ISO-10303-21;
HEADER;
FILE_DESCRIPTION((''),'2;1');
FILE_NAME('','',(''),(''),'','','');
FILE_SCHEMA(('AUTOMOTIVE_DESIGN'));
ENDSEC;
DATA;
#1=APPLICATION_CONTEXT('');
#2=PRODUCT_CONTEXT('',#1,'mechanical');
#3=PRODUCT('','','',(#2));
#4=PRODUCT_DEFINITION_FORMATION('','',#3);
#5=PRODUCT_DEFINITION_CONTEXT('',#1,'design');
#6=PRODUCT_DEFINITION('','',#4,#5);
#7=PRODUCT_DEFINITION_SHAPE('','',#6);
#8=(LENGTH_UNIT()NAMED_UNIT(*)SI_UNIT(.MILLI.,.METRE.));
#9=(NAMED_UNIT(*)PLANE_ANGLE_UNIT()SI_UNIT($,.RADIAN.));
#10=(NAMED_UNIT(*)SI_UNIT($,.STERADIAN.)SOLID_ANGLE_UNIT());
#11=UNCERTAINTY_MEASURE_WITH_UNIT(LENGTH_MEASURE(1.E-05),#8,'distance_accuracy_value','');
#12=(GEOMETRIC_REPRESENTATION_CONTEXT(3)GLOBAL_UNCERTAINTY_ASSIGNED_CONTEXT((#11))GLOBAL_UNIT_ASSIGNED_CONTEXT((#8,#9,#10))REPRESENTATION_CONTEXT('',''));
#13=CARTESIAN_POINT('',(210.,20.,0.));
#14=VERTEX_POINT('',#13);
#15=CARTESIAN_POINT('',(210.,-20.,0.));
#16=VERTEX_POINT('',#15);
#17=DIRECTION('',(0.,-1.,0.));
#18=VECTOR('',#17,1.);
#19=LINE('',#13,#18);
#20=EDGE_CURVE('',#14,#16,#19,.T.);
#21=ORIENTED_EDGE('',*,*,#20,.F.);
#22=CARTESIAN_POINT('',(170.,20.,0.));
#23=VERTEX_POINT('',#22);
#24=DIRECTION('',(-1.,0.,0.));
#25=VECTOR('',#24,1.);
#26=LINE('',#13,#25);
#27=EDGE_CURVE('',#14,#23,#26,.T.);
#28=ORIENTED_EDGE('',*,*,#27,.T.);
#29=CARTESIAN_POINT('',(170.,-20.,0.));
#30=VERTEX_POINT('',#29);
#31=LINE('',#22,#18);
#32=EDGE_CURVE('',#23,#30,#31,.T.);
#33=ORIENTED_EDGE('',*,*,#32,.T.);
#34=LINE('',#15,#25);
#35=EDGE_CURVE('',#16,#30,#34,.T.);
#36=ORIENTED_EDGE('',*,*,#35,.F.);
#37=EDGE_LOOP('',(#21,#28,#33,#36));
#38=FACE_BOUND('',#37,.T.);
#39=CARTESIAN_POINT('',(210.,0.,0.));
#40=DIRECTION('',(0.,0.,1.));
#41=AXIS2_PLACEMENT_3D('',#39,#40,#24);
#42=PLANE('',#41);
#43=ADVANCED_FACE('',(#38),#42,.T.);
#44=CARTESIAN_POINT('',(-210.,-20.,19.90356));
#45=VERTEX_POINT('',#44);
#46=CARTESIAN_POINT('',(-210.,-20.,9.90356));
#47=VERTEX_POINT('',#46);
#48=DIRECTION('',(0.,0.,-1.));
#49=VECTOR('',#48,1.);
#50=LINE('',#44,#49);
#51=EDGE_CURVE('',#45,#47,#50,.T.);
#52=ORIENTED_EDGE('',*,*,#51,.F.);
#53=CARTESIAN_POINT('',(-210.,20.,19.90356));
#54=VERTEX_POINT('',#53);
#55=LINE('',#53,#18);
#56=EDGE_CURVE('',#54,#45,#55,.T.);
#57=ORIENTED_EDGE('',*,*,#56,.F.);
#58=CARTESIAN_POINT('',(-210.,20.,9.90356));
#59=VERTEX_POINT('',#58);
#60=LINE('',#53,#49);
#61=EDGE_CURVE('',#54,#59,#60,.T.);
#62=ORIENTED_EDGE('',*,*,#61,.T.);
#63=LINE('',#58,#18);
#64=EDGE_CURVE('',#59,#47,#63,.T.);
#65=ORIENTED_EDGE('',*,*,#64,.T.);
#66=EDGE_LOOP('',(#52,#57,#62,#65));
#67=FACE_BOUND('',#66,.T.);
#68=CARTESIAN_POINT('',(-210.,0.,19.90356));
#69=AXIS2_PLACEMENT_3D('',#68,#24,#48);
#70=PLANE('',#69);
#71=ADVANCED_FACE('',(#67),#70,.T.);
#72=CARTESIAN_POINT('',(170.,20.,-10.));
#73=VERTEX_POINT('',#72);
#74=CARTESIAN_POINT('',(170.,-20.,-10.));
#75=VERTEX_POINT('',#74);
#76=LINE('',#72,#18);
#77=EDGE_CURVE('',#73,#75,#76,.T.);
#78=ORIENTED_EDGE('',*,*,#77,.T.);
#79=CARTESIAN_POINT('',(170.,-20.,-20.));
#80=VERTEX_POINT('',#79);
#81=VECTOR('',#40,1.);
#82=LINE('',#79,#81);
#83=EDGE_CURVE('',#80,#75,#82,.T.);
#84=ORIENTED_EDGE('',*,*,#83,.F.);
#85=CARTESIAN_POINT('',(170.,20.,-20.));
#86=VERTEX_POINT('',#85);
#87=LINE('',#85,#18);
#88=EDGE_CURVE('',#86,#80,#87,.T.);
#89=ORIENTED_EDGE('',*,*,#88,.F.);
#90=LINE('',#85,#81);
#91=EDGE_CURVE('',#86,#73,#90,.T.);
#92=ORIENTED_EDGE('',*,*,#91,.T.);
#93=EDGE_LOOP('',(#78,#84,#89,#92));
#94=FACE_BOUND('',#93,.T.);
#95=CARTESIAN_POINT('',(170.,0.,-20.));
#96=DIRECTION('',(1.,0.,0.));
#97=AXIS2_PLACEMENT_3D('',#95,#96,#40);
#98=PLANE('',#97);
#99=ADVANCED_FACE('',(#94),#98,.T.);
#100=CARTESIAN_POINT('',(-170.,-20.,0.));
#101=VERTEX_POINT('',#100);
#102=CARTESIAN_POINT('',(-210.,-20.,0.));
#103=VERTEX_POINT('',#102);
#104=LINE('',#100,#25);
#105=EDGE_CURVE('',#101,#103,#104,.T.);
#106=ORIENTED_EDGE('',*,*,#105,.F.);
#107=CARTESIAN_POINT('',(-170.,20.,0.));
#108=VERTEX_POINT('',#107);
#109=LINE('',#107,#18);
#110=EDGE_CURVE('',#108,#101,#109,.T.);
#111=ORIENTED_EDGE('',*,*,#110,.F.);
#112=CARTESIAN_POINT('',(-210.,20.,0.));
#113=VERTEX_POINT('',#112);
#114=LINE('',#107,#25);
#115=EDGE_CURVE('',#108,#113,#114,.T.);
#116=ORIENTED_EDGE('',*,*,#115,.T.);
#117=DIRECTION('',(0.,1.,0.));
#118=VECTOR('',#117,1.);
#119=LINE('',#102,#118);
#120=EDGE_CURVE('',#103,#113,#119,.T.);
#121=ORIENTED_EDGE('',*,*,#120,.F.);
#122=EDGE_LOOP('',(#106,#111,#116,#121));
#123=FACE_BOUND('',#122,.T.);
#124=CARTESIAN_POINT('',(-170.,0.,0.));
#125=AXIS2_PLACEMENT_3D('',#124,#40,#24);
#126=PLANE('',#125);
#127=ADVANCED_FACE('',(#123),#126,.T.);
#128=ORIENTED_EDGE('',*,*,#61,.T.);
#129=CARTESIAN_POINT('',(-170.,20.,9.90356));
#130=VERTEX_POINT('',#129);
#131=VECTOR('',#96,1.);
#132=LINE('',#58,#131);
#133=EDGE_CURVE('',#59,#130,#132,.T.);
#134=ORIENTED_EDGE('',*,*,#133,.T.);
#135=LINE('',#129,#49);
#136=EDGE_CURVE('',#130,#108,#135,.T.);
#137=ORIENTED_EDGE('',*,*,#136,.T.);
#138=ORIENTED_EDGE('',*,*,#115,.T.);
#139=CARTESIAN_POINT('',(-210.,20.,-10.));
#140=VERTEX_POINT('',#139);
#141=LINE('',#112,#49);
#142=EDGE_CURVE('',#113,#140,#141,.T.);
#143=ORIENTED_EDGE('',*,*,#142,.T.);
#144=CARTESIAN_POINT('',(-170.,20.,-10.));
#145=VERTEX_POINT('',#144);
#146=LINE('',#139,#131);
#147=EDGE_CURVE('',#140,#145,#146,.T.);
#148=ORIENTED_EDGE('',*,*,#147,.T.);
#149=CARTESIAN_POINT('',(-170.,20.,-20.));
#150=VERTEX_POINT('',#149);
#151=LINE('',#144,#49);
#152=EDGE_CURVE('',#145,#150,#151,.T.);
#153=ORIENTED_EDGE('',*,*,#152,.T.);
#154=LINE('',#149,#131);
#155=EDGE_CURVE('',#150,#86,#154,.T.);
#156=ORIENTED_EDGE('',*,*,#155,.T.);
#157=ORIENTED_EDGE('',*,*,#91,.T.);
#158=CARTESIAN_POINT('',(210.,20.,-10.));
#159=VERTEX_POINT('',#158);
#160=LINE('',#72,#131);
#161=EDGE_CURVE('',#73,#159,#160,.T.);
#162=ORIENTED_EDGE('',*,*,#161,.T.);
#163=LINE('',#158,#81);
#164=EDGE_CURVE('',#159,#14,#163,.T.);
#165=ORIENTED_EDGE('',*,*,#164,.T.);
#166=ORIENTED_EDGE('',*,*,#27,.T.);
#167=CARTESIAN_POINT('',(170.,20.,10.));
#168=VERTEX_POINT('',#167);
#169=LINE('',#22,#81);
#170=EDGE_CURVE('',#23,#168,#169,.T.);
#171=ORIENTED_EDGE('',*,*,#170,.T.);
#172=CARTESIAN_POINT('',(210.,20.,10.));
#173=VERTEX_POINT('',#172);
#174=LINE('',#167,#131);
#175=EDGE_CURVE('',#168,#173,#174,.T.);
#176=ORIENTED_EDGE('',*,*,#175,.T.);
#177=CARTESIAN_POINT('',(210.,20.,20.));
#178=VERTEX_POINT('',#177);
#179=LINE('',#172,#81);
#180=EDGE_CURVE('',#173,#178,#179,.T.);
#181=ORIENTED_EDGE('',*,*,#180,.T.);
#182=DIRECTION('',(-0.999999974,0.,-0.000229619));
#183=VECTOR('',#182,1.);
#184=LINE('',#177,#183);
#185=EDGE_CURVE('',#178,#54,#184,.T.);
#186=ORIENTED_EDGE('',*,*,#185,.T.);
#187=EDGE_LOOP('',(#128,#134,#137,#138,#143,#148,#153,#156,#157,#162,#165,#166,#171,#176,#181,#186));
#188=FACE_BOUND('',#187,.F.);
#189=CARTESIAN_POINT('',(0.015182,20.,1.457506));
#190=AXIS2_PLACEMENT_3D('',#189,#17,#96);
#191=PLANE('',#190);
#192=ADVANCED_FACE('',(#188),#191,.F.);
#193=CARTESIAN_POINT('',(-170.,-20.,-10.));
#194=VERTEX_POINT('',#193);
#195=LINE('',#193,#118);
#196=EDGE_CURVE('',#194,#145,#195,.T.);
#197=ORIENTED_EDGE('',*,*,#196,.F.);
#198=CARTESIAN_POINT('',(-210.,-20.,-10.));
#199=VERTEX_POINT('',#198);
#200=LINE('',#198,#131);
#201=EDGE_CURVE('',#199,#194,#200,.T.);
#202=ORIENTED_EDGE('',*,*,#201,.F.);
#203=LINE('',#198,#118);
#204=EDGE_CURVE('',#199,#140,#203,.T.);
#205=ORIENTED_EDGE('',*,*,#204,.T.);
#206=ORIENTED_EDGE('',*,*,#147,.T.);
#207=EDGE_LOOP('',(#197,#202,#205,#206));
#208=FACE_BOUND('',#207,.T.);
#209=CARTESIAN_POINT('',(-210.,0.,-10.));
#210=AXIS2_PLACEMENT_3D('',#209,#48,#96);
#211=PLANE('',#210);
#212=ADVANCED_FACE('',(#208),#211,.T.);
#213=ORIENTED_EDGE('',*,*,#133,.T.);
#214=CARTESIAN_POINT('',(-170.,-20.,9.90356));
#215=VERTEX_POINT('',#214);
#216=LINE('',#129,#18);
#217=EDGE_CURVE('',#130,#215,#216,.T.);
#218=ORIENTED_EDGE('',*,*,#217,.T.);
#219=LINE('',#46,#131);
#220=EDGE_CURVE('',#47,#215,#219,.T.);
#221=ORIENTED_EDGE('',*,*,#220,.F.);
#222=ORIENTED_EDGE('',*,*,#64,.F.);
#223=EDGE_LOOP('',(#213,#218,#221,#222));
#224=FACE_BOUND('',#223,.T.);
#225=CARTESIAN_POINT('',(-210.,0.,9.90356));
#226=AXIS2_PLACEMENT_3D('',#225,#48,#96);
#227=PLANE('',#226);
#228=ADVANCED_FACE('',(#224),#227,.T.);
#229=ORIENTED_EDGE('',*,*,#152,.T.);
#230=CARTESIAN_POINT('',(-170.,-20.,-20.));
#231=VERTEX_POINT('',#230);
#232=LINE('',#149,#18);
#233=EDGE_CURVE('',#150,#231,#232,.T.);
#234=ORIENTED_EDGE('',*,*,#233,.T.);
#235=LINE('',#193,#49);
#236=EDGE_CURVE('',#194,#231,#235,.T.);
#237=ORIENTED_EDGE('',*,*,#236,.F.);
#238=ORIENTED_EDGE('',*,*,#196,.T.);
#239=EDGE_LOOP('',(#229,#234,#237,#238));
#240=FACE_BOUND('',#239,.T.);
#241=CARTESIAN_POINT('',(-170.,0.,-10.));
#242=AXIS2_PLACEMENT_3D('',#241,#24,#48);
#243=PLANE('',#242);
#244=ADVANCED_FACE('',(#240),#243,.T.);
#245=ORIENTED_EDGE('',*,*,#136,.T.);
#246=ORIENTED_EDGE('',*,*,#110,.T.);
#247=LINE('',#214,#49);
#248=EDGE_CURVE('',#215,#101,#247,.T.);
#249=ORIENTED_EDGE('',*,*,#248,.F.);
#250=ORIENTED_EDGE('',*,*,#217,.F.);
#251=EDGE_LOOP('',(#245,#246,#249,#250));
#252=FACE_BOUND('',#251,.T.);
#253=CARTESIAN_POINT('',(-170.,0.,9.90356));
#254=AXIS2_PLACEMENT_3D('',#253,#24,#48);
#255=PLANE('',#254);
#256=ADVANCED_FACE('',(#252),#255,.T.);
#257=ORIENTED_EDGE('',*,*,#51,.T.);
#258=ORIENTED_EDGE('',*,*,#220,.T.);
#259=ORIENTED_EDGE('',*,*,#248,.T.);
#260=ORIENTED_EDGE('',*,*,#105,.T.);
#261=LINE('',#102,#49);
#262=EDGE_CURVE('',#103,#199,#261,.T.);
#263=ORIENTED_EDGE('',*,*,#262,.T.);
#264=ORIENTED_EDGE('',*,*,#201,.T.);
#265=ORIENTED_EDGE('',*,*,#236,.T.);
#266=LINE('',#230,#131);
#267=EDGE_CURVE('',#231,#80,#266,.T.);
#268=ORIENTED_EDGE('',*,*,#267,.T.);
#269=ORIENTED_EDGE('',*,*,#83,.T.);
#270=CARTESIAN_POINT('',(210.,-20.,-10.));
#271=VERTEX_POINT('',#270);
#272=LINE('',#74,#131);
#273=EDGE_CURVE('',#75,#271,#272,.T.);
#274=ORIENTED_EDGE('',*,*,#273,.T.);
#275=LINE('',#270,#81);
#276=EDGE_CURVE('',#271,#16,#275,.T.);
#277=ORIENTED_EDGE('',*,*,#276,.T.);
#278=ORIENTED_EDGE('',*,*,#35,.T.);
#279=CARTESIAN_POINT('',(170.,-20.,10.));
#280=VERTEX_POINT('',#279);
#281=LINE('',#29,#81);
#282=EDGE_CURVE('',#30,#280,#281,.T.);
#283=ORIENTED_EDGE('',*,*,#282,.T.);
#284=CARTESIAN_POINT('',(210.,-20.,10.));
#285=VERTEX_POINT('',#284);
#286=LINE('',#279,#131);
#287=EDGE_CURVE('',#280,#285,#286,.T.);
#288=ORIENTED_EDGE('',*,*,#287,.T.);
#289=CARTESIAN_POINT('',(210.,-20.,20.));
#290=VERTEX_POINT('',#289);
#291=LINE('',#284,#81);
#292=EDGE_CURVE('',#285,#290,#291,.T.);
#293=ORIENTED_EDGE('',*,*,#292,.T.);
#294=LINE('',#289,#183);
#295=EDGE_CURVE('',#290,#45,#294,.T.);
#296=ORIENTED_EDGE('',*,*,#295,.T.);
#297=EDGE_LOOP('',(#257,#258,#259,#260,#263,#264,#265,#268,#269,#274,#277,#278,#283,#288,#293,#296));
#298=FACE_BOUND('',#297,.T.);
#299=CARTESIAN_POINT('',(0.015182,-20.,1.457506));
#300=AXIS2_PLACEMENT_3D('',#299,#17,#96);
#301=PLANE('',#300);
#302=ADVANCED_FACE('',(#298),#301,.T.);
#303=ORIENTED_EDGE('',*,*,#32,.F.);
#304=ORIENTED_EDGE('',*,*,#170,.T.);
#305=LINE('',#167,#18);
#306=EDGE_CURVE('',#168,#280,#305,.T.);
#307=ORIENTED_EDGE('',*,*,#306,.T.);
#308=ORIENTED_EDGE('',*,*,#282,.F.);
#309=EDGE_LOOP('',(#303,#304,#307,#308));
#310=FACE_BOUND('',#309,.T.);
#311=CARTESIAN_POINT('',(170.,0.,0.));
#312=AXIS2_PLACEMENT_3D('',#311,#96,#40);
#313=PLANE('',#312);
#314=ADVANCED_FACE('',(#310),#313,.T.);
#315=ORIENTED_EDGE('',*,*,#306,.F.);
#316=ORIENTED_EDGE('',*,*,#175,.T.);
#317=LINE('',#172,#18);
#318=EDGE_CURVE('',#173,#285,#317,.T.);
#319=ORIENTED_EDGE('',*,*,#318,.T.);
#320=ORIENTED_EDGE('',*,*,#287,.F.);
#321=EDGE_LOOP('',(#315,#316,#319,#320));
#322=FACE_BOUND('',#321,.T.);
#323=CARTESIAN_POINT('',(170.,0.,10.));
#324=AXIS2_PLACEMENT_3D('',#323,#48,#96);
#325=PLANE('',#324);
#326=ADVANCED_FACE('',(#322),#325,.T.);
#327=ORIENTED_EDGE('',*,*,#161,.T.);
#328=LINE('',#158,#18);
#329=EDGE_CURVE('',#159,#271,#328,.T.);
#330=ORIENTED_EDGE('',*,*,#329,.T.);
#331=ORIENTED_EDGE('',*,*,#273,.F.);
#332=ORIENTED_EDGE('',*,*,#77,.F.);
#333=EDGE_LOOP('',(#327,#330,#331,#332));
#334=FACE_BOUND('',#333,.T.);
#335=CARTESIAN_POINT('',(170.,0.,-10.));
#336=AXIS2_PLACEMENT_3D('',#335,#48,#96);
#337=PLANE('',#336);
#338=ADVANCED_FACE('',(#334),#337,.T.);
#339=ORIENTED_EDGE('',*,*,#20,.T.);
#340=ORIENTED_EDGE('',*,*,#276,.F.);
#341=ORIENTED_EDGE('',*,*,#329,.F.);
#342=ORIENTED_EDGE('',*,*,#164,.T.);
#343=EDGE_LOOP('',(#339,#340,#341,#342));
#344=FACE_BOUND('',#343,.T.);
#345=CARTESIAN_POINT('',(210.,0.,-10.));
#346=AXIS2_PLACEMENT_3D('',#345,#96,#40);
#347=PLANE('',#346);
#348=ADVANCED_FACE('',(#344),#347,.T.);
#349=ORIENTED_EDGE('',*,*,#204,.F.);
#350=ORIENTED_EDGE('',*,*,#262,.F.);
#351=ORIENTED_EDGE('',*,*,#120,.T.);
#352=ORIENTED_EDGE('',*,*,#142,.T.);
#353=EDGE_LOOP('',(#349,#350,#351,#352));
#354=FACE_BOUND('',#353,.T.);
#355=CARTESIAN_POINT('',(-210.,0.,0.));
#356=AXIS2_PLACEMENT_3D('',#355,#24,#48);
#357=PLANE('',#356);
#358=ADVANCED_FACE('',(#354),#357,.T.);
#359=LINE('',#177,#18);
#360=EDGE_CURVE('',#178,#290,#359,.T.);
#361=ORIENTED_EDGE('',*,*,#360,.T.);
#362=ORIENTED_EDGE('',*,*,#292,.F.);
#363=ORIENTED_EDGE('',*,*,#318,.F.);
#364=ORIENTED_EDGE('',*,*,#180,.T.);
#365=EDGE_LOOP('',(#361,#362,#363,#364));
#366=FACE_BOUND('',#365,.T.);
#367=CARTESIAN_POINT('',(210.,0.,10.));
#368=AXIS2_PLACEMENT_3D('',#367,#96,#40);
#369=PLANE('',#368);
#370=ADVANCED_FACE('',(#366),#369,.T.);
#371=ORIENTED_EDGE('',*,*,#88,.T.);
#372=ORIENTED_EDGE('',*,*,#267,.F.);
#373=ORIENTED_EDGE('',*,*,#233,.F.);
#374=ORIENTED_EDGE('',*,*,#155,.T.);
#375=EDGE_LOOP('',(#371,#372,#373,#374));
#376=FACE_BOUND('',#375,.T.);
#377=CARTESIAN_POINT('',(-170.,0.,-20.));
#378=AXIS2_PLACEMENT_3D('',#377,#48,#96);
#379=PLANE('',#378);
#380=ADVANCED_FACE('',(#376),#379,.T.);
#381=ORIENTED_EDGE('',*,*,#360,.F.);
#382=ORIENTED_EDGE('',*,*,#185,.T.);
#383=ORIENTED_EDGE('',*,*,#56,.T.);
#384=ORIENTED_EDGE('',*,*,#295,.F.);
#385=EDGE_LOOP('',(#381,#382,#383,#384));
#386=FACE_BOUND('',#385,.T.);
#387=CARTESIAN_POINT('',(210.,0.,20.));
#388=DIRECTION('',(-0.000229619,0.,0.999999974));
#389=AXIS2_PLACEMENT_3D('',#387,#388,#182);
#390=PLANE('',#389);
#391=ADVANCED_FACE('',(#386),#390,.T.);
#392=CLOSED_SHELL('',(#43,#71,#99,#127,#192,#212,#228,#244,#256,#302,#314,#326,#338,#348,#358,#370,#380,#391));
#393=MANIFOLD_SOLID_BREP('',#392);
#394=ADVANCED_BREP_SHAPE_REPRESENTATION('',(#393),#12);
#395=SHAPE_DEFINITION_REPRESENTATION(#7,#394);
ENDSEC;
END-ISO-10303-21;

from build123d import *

# Parameters (mm, degrees)
F1_DEPTH = 20


with BuildPart() as f1:
    # F0 (on Front) → F1 (new body, symmetric)
    with BuildSketch(Plane.XZ):
        Polygon((-170, -10), (-170, -20), (170, -20), (170, -10), (210, -10), (210, 0), (170, 0), (170, 10), (210, 10), (210, 20), (-210, 19.90356), (-210, 9.90356), (-170, 9.90356), (-170, 0), (-210, 0), (-210, -10), align=None)
    extrude(amount=F1_DEPTH, both=True)


solid = f1.part
